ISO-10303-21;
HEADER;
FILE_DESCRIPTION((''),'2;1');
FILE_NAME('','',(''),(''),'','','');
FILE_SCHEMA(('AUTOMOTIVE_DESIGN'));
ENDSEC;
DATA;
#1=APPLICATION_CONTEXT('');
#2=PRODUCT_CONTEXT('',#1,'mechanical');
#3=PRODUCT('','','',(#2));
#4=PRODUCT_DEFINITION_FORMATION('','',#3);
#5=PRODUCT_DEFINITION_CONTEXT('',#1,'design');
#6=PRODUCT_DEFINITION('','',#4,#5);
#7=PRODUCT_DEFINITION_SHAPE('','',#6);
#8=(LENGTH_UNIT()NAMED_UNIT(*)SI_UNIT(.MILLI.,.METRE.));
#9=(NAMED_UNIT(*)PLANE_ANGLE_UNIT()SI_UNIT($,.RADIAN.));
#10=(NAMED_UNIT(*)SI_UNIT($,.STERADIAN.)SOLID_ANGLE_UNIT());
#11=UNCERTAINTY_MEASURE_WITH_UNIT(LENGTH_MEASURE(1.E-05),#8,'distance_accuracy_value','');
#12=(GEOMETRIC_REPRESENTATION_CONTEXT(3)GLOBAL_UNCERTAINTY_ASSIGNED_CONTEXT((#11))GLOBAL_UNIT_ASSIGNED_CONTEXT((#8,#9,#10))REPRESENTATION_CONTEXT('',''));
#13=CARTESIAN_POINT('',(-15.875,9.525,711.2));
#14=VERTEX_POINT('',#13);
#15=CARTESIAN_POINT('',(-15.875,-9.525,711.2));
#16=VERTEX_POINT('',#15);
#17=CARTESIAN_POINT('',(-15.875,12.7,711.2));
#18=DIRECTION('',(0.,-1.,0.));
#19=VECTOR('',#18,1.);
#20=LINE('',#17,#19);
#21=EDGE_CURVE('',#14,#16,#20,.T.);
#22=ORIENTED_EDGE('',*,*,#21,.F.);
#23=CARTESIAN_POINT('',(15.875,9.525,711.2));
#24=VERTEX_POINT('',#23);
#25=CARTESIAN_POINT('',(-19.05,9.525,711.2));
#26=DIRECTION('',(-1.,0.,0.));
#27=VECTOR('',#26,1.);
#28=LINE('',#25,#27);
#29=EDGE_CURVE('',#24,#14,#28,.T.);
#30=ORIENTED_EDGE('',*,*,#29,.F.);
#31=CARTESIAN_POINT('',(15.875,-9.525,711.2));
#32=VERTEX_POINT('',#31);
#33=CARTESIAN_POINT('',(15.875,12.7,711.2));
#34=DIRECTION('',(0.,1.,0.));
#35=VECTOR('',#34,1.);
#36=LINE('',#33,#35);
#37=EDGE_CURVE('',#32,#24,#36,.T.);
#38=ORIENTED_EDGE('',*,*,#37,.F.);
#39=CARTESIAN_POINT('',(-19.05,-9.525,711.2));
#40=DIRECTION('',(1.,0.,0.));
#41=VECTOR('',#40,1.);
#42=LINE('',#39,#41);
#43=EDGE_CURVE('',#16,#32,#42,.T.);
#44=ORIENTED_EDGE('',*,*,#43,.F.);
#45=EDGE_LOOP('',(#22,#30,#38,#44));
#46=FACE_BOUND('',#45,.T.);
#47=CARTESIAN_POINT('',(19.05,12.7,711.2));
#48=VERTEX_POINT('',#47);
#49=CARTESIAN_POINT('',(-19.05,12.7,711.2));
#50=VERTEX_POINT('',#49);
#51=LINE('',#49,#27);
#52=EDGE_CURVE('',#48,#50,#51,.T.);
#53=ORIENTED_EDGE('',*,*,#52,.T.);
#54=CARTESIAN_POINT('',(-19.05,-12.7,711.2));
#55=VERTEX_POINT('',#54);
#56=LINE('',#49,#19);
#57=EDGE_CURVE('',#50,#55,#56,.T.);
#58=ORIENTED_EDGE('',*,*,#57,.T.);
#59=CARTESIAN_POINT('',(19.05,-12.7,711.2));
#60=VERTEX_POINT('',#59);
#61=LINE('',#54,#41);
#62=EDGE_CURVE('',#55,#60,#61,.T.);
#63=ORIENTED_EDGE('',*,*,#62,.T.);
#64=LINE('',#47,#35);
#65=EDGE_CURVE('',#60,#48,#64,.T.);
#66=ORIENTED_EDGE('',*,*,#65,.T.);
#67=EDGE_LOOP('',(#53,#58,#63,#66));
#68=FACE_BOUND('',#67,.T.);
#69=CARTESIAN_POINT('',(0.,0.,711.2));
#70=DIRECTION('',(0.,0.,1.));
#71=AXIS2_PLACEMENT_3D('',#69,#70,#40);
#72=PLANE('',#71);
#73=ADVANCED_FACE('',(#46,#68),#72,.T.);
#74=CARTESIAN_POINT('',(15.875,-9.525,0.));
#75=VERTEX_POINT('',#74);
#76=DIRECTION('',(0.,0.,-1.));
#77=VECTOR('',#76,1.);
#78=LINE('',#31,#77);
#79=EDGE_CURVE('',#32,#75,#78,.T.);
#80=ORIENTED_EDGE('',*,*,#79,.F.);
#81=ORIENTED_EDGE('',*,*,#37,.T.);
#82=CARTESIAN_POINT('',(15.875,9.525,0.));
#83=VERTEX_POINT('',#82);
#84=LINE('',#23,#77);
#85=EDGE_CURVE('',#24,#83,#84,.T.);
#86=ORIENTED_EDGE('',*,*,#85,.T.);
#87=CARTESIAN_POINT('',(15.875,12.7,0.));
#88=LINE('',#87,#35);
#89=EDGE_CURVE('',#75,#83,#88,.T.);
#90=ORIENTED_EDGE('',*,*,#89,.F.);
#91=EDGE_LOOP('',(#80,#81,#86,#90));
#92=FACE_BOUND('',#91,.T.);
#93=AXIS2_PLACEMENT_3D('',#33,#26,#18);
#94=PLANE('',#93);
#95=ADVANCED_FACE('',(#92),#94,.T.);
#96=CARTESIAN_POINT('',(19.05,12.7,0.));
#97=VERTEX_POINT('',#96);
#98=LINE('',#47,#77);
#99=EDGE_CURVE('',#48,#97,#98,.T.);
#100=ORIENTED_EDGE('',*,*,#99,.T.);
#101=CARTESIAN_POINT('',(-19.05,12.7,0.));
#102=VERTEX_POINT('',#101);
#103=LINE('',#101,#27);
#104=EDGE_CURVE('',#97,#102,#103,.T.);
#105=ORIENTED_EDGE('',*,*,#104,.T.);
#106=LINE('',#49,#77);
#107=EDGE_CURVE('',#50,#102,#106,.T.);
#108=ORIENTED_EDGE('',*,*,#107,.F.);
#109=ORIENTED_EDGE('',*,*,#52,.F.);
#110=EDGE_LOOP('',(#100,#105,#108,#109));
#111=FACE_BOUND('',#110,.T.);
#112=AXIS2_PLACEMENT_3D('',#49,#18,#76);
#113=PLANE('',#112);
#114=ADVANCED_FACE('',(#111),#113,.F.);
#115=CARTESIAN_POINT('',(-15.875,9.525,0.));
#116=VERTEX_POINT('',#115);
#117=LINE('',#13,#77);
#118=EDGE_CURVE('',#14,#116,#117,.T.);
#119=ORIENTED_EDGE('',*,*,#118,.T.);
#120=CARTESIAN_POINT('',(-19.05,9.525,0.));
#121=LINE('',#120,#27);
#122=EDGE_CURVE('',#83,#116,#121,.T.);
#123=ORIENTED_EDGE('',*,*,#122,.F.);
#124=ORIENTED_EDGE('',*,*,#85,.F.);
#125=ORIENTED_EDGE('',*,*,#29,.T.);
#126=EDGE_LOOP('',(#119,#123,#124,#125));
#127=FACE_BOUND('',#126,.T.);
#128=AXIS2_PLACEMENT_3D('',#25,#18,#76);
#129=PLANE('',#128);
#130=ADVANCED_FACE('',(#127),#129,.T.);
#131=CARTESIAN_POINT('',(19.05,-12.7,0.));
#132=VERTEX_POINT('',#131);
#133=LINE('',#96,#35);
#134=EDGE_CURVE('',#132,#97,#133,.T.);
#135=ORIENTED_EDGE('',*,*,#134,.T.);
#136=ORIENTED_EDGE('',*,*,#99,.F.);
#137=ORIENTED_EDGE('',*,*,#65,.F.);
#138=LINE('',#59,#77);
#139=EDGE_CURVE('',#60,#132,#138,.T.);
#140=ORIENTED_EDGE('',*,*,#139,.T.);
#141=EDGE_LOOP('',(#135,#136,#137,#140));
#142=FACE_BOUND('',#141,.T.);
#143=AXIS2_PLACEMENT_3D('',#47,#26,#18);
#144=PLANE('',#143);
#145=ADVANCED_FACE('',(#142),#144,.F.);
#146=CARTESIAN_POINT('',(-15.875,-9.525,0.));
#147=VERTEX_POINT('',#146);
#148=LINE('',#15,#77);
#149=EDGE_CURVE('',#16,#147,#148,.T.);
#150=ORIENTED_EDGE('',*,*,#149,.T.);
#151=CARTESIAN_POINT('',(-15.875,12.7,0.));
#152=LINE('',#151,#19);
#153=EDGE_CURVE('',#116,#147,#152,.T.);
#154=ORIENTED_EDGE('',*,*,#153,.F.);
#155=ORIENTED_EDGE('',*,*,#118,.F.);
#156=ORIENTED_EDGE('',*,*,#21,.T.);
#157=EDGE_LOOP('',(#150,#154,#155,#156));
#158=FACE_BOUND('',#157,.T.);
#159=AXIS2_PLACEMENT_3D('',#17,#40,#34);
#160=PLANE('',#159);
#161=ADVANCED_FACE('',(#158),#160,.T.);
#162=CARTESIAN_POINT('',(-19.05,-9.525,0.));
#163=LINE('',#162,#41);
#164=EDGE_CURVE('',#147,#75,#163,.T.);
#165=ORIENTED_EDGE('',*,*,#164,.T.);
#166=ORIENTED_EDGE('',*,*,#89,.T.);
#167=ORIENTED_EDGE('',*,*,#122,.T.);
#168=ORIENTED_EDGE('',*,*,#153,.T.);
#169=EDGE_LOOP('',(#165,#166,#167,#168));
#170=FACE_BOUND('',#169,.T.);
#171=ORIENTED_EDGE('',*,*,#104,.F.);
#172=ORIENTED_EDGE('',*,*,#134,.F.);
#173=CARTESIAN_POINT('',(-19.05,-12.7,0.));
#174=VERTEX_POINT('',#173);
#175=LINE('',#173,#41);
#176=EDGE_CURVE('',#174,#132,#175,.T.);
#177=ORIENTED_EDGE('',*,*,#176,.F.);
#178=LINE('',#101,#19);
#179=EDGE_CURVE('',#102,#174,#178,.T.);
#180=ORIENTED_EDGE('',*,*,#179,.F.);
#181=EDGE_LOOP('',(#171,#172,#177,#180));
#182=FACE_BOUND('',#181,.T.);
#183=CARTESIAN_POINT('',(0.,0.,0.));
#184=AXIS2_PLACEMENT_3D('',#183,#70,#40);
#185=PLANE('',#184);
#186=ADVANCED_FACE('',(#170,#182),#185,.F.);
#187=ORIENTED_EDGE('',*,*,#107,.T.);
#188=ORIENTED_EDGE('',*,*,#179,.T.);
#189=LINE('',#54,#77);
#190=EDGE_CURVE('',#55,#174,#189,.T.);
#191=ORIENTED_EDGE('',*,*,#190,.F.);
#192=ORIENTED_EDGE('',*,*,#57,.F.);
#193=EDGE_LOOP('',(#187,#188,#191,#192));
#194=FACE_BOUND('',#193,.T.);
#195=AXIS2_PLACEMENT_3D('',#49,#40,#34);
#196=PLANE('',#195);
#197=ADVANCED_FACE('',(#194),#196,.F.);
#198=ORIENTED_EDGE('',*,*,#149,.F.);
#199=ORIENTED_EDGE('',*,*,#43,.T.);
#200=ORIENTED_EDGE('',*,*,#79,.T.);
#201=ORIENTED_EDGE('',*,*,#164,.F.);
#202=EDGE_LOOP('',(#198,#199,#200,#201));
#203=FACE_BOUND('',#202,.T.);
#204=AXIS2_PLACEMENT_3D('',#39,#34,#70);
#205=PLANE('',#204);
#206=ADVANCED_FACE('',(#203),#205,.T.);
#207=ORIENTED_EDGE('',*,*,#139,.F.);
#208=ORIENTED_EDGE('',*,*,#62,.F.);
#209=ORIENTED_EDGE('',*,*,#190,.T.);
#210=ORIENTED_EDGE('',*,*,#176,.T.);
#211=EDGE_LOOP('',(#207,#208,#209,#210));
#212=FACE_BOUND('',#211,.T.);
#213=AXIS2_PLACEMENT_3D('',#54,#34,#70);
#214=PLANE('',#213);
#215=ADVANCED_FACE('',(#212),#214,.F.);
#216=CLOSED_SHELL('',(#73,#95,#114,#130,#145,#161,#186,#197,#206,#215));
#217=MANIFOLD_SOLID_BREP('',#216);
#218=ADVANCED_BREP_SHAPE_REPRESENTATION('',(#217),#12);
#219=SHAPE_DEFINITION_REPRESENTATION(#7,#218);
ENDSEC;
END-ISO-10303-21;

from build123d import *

# Parameters (mm, degrees)
SKETCH1_W           = 38.1
SKETCH1_H           = 25.4
BOSS_EXTRUDE1_DEPTH = 711.2
SHELL1_T            = -3.175


with BuildPart() as part:
    # Sketch1 → Boss-Extrude1 (new body)
    with BuildSketch(Plane.XY):
        Rectangle(SKETCH1_W, SKETCH1_H)
    extrude(amount=BOSS_EXTRUDE1_DEPTH)

    # Shell1
    shell1_openings = [part.faces().sort_by_distance(p)[0] for p in [
        (0, 0, 711.2),
        (0, 0, 0),
    ]]
    offset(amount=SHELL1_T, openings=shell1_openings, kind=Kind.INTERSECTION)


solid = part.part
